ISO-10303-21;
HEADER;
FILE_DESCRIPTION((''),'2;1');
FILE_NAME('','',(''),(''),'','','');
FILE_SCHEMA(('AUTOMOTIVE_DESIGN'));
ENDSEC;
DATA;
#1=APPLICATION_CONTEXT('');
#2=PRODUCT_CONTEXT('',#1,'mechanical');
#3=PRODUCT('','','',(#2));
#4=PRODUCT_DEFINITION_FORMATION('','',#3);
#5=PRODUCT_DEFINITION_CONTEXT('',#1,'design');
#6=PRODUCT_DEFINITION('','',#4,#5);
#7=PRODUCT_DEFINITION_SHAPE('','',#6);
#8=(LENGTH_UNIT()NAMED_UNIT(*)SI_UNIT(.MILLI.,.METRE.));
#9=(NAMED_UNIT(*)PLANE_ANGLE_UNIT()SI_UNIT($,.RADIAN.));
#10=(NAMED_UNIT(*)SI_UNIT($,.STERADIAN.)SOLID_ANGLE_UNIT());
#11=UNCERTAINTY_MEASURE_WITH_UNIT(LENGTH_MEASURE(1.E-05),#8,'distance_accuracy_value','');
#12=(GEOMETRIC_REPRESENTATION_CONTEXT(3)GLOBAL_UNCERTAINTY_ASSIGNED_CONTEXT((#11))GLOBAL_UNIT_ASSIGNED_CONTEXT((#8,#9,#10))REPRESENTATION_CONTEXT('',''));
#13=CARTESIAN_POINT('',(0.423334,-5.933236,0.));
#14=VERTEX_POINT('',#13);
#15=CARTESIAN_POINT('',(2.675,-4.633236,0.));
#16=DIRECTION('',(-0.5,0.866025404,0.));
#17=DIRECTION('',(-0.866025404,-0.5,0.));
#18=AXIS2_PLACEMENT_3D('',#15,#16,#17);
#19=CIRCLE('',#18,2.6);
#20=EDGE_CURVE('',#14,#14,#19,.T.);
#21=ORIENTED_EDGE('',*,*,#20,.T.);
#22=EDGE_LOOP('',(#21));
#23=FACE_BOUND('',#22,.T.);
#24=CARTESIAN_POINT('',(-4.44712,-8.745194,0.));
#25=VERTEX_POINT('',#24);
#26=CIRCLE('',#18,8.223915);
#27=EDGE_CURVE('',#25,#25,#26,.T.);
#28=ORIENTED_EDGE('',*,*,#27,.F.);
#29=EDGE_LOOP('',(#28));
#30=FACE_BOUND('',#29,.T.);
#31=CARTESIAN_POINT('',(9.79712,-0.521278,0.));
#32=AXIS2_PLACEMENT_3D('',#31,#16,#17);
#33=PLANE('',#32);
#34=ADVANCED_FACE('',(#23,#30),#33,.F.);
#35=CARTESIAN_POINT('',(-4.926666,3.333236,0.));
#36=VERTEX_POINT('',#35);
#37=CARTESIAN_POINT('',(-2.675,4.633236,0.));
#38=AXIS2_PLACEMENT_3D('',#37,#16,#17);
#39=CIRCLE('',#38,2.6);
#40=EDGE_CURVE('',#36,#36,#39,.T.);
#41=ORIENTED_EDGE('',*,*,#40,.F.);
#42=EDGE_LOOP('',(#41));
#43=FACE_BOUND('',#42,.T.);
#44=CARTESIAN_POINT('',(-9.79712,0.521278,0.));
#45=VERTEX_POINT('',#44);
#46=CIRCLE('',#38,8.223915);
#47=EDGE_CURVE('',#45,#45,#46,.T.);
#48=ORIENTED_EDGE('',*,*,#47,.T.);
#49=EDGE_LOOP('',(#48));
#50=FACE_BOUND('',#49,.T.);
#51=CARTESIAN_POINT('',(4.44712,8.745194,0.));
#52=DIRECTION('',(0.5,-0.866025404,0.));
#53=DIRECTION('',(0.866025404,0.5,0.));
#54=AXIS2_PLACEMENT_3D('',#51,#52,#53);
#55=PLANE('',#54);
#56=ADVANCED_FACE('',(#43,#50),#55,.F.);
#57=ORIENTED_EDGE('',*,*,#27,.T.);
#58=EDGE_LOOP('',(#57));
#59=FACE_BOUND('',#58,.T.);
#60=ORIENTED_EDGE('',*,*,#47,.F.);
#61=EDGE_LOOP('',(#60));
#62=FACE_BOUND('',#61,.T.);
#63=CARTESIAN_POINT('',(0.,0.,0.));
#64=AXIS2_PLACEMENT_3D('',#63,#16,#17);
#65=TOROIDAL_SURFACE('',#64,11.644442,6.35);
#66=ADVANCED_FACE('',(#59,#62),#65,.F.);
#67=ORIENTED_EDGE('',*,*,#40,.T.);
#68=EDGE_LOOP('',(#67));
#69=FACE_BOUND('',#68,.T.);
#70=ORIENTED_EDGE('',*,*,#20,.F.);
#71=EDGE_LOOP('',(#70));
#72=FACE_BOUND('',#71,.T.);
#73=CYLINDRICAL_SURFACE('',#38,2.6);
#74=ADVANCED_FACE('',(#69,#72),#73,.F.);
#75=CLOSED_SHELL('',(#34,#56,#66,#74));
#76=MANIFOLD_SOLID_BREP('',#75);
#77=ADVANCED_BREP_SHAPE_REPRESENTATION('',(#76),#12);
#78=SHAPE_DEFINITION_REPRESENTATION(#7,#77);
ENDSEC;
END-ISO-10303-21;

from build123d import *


with BuildPart() as part:
    # Sketch1 → Revolve2 (revolve)
    with BuildSketch(Plane.XY, mode=Mode.PRIVATE) as revolve2_sk:
        with BuildLine():
            Line((-0.42333395, 5.93323591), (4.92666605, -3.33323591))
            Line((4.92666605, -3.33323591), (9.797119576, -0.521278256))
            ThreePointArc((9.797119576, -0.521278256), (4.58512091, 2.647220792), (4.447119576, 8.745193564))
            Line((4.447119576, 8.745193564), (-0.42333395, 5.93323591))
        make_face()
    revolve(revolve2_sk.sketch.rotate(Axis((-2.675, 4.63323591, 0), (0.5000000000000001, -0.8660254037844387, 0)), 180), axis=Axis((-2.675, 4.63323591, 0), (0.5000000000000001, -0.8660254037844387, 0)))


solid = part.part
